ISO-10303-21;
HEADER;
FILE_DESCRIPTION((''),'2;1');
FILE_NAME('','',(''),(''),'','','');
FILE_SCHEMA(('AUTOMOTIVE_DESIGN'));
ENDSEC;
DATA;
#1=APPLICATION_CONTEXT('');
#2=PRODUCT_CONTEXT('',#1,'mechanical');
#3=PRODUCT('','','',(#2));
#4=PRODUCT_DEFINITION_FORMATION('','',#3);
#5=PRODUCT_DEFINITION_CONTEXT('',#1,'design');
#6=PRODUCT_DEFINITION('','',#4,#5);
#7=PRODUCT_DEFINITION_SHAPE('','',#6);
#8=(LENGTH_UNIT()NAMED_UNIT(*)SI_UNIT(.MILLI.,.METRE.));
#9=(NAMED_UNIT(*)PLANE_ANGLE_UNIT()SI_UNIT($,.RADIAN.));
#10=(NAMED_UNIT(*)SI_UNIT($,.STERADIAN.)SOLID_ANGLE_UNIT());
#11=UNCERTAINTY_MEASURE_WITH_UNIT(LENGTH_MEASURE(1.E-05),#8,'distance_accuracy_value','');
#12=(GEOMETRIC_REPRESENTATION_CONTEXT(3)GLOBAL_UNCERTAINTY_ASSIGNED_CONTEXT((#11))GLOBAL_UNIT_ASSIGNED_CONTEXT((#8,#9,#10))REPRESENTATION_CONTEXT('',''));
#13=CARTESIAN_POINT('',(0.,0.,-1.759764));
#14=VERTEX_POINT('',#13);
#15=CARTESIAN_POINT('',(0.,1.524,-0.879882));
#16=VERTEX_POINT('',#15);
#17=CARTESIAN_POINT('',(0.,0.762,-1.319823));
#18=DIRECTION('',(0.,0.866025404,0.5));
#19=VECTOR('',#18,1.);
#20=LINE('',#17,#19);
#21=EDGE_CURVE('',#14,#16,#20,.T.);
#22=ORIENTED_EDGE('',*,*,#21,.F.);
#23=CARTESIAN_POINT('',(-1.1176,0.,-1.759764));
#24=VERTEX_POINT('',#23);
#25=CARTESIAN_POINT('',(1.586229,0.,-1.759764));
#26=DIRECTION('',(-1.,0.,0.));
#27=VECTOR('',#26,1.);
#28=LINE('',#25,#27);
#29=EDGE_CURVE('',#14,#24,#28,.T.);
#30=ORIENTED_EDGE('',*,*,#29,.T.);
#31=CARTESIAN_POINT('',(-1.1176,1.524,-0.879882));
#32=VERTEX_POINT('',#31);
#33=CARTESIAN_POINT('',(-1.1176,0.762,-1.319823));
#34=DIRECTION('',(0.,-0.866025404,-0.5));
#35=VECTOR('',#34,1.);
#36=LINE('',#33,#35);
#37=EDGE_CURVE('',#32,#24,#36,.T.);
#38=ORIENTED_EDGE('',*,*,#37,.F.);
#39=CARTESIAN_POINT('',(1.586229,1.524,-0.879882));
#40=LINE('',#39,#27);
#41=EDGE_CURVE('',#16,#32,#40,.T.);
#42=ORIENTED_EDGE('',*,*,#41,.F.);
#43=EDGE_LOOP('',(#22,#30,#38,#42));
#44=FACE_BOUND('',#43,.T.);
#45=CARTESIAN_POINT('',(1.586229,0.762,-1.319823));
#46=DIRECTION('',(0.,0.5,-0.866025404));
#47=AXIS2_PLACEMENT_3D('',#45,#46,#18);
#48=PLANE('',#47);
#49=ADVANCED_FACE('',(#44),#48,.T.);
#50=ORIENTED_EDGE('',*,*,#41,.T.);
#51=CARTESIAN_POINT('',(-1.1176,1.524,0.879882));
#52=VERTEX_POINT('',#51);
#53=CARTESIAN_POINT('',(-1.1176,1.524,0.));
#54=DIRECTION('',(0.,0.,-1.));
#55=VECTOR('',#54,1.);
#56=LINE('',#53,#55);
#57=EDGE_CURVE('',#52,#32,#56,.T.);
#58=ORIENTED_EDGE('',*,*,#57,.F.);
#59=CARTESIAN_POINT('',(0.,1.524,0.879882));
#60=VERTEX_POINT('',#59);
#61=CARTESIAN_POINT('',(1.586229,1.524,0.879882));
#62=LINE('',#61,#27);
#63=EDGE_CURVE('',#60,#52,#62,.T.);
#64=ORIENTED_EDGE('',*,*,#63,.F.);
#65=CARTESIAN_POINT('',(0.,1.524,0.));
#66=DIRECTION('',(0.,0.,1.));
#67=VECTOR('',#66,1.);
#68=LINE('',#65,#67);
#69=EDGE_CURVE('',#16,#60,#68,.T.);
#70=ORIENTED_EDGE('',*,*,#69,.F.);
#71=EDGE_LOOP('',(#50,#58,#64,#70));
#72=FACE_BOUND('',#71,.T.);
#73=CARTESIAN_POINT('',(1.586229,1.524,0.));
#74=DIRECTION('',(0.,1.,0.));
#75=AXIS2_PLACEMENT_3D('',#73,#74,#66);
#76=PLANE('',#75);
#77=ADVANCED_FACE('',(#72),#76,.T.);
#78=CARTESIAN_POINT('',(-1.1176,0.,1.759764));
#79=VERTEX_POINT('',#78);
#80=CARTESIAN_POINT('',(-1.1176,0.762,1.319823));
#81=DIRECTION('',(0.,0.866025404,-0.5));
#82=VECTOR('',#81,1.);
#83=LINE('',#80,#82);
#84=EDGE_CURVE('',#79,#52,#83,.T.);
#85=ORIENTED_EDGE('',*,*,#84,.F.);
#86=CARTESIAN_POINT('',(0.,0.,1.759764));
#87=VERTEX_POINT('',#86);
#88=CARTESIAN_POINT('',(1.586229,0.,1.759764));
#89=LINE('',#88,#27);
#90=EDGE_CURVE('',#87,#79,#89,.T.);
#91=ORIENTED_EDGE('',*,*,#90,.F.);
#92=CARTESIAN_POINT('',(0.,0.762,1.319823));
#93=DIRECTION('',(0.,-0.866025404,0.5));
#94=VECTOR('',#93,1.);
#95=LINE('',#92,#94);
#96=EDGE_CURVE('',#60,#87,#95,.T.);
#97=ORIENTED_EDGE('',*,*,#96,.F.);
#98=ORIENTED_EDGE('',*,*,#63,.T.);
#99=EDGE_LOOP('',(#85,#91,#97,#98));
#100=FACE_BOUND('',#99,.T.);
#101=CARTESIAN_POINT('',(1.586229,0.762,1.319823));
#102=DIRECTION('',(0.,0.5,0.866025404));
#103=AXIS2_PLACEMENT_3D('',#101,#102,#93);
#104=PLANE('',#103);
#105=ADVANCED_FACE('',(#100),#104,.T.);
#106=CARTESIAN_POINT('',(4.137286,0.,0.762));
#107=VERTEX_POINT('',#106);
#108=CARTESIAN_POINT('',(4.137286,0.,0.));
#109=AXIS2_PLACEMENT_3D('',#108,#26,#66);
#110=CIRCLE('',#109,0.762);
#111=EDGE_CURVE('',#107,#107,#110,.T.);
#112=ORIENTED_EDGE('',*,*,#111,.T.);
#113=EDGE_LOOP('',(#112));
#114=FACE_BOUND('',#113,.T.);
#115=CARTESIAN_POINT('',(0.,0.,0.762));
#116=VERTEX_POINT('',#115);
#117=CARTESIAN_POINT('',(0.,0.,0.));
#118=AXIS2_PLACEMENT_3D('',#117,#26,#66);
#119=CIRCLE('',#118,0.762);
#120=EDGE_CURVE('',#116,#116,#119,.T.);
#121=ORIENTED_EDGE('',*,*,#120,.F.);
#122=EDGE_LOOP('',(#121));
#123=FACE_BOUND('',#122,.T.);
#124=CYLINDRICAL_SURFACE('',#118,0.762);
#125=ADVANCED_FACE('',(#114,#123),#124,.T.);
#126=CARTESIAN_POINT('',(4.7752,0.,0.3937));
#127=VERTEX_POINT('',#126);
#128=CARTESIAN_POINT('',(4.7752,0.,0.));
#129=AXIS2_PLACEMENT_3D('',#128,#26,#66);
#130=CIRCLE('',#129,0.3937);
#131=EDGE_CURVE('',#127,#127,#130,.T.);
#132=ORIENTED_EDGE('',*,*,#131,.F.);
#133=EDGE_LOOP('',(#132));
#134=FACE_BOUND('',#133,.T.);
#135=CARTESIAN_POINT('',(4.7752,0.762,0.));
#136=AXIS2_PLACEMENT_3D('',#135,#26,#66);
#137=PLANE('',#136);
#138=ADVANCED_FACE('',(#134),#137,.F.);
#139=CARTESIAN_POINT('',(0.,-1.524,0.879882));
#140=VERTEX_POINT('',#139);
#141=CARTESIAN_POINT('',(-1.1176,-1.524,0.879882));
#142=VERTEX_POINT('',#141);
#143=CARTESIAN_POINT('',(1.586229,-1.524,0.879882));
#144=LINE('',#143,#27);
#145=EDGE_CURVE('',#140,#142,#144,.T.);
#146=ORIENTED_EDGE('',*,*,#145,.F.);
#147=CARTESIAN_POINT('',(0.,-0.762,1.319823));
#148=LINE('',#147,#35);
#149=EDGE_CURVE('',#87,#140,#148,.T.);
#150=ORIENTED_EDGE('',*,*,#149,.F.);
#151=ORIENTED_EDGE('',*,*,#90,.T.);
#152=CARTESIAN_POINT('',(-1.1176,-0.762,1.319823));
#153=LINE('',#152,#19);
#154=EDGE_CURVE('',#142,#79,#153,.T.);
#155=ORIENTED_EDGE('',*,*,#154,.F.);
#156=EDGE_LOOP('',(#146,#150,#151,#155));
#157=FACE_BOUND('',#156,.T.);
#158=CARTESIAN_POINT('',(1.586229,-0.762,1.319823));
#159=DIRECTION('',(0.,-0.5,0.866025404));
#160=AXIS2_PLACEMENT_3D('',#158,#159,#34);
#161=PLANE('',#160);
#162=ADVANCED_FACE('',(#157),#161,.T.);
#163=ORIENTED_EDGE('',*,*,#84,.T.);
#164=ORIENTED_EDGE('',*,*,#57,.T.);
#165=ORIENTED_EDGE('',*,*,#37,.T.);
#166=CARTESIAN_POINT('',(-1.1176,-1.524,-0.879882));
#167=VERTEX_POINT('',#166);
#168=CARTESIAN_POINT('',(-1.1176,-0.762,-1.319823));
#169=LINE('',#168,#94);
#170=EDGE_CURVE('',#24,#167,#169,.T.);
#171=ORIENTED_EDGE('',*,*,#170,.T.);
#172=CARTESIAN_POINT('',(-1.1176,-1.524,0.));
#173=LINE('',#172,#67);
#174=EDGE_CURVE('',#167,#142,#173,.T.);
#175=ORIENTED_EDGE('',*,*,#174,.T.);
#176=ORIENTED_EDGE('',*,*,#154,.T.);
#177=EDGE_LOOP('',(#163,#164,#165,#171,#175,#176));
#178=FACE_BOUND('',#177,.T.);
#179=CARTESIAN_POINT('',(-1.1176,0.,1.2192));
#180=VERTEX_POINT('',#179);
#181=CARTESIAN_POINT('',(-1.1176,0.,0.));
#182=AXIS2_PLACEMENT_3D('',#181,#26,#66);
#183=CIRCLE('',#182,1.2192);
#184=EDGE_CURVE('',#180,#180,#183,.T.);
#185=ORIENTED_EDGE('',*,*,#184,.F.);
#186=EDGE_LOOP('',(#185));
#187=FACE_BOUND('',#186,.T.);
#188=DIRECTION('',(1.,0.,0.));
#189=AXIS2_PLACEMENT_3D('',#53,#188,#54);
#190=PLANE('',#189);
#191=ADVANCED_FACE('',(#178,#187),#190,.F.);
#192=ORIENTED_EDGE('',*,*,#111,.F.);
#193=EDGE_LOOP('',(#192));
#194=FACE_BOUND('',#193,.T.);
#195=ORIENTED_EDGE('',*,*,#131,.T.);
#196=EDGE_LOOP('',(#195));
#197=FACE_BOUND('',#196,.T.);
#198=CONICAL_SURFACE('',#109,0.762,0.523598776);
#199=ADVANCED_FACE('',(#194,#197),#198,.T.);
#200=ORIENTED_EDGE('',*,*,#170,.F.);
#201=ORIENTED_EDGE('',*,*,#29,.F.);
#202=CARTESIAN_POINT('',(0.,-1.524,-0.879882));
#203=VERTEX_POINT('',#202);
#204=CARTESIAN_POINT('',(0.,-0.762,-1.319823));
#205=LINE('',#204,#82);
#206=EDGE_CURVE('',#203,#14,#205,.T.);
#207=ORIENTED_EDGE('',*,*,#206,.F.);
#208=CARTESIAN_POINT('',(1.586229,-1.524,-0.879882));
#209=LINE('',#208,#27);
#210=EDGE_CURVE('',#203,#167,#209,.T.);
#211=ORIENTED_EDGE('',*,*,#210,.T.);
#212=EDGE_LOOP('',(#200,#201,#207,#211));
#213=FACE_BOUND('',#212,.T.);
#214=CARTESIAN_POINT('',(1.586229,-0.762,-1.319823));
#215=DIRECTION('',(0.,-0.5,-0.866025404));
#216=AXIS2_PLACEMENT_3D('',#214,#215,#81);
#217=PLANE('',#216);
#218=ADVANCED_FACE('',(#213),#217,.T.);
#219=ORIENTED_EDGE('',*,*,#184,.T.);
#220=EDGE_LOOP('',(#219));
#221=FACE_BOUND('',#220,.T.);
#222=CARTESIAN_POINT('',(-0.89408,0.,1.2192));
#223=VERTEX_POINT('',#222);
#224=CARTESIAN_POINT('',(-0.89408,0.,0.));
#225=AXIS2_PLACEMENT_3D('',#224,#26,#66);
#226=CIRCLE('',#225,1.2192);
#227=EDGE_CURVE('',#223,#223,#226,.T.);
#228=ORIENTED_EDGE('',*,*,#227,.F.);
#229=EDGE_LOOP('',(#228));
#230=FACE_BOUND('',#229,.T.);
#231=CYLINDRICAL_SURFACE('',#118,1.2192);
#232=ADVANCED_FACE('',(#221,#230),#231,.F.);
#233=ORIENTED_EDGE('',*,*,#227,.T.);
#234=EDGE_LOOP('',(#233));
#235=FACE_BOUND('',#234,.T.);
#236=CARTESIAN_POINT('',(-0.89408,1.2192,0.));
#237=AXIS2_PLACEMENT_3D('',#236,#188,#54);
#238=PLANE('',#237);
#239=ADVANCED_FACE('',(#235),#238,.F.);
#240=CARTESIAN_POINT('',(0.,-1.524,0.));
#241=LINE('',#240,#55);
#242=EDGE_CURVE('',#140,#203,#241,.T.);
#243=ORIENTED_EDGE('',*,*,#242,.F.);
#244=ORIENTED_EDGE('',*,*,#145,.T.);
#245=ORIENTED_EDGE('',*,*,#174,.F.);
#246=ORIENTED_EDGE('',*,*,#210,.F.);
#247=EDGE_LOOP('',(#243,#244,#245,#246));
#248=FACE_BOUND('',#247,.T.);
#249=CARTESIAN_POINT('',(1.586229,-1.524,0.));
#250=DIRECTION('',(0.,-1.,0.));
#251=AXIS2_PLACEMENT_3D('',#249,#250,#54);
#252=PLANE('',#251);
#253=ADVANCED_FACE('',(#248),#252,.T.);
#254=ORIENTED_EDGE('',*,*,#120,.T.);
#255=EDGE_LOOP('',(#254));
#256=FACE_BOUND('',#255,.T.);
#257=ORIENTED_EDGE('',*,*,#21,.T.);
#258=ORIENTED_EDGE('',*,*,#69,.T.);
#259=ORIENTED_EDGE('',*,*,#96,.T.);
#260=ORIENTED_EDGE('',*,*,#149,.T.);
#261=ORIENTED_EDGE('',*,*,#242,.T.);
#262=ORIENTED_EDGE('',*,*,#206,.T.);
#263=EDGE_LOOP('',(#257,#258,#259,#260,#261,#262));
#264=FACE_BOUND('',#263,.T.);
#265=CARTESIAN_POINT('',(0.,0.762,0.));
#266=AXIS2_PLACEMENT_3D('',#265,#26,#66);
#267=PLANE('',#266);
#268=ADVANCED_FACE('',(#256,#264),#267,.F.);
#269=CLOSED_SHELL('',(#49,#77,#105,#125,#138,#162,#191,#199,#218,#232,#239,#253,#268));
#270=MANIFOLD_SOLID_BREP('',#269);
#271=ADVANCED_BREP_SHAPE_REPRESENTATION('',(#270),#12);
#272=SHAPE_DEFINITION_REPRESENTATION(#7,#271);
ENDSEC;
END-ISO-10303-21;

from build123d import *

# Parameters (mm, degrees)
EXTRUDE1_DEPTH = 1.1176


with BuildPart() as part:
    # Sketch1 → base-Revolve (revolve)
    with BuildSketch(Plane.XY, mode=Mode.PRIVATE) as base_revolve_sk:
        Polygon((0, 0.762), (0, 1.524), (-1.1176, 1.524), (-1.1176, 1.2192), (-0.89408, 1.2192), (-0.89408, 0), (0, 0), (4.7752, 0), (4.7752, 0.762), align=None)
    revolve(base_revolve_sk.sketch.rotate(Axis((0, 0, 0), (1, 0, 0)), 90), axis=Axis((0, 0, 0), (1, 0, 0)))

    # Sketch15 → Extrude1 (add)
    with BuildSketch(Plane.ZY.offset(1.1176)):
        with BuildLine():
            ThreePointArc((-1.319822717, -0.761999997), (-1.524, 6e-09), (-1.319822711, 0.762000008))
            Line((-1.319822711, 0.762000008), (-1.75976362, 0))
            Line((-1.75976362, 0), (-1.319822717, -0.761999997))
        make_face()
        with BuildLine():
            ThreePointArc((-1.319822711, 0.762000008), (-0.761999998, 1.319822717), (-5e-09, 1.524))
            Line((-5e-09, 1.524), (-0.87988181, 1.524))
            Line((-0.87988181, 1.524), (-1.319822711, 0.762000008))
        make_face()
        with BuildLine():
            ThreePointArc((-5e-09, 1.524), (0.761999979, 1.319822727), (1.319822694, 0.762000038))
            Line((1.319822694, 0.762000038), (0.87988181, 1.524))
            Line((0.87988181, 1.524), (-5e-09, 1.524))
        make_face()
        with BuildLine():
            Line((1.319822721, -0.76199999), (1.75976362, 0))
            Line((1.75976362, 0), (1.319822694, 0.762000038))
            ThreePointArc((1.319822694, 0.762000038), (1.472070954, 0.394440246), (1.524, 0))
            ThreePointArc((1.524, 0), (1.472070961, -0.394440219), (1.319822721, -0.76199999))
        make_face()
        with BuildLine():
            Line((0.87988181, -1.524), (1.319822721, -0.76199999))
            ThreePointArc((1.319822721, -0.76199999), (0.762000003, -1.319822714), (-5e-09, -1.524))
            Line((-5e-09, -1.524), (0.87988181, -1.524))
        make_face()
        with BuildLine():
            Line((-0.87988181, -1.524), (-5e-09, -1.524))
            ThreePointArc((-5e-09, -1.524), (-0.762000004, -1.319822713), (-1.319822717, -0.761999997))
            Line((-1.319822717, -0.761999997), (-0.87988181, -1.524))
        make_face()
    extrude(amount=-EXTRUDE1_DEPTH)

    # Sketch8 → point_Cut-Revolve1 (revolve, cut)
    with BuildSketch(Plane.XY, mode=Mode.PRIVATE) as point_cut_revolve1_sk:
        Polygon((4.7752, 0), (5.2832, 0), (5.2832, 1.27), (4.137285688, 1.27), (4.137285688, 0.762), (4.7752, 0.3937), align=None)
    revolve(point_cut_revolve1_sk.sketch.rotate(Axis((0, 0, 0), (1, 0, 0)), 90), axis=Axis((0, 0, 0), (1, 0, 0)), mode=Mode.SUBTRACT)


solid = part.part
